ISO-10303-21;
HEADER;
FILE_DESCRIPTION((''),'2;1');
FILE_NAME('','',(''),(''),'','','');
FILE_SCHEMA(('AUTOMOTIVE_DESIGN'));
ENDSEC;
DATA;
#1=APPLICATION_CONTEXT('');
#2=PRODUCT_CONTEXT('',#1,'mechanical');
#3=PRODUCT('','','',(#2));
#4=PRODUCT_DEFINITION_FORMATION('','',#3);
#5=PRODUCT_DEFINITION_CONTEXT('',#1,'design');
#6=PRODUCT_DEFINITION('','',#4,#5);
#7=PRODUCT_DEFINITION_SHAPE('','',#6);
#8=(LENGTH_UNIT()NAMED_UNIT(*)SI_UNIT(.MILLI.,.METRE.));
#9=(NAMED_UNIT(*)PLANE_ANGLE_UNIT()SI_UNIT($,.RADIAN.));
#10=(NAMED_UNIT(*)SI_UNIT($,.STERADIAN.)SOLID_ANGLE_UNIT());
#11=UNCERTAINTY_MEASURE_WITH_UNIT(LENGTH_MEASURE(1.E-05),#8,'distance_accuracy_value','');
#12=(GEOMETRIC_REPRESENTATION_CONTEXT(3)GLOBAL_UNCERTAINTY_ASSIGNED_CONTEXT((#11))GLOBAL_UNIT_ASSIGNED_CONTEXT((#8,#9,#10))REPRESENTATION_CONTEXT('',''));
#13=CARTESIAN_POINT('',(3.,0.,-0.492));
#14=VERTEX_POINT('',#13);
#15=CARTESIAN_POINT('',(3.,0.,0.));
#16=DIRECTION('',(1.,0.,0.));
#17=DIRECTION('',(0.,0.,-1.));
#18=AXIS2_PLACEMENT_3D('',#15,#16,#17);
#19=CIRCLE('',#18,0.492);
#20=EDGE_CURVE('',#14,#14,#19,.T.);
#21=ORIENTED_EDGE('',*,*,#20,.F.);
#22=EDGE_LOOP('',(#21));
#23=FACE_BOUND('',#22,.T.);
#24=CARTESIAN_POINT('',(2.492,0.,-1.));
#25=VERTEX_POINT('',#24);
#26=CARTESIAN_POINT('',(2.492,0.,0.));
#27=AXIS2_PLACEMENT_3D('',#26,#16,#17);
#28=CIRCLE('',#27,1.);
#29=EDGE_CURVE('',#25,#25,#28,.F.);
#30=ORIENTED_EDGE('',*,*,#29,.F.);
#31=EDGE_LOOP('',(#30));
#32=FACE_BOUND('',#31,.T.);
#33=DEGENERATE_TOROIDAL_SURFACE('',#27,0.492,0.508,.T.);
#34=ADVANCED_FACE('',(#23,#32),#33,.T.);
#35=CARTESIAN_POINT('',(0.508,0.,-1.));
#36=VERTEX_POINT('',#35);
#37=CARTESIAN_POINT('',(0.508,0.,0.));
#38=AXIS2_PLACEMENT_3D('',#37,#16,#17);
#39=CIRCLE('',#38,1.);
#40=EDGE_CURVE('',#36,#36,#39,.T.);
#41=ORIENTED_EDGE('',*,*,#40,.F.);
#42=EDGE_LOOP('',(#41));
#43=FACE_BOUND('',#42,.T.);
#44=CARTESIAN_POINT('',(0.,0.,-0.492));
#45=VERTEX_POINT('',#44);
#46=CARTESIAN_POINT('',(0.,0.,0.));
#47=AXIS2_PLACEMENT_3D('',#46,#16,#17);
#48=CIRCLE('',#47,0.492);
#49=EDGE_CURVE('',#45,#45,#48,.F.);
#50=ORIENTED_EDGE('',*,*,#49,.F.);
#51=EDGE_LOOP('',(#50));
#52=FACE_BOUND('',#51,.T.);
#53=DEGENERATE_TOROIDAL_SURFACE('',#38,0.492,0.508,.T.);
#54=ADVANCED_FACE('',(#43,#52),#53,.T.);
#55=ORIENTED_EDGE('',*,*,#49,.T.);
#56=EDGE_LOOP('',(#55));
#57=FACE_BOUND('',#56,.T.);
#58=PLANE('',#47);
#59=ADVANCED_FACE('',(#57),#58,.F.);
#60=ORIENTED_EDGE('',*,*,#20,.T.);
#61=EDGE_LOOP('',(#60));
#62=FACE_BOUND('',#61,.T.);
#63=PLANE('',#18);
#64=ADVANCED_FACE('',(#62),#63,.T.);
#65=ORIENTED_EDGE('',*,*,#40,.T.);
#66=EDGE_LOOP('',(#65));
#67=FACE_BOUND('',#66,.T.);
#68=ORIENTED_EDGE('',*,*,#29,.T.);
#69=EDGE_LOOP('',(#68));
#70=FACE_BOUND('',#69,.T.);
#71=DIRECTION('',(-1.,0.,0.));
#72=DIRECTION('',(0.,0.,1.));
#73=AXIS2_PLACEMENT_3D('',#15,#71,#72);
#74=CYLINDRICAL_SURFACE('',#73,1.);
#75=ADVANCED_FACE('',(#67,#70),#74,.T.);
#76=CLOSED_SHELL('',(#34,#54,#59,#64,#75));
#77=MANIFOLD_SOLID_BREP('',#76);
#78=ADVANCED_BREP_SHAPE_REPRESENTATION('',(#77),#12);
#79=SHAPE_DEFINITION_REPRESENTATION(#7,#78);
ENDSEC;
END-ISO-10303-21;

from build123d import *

# Parameters (mm, degrees)
SKETCH1_R      = 1
EXTRUDE1_DEPTH = 3
FILLET1_R      = 0.508


with BuildPart() as part:
    # Sketch1 → Extrude1 (new body)
    with BuildSketch(Plane(origin=(0, 0, 0), x_dir=(0, 0, -1), z_dir=(1, 0, 0))):
        Circle(SKETCH1_R)
    extrude(amount=EXTRUDE1_DEPTH)

    # Fillet1
    fillet1_edges = [part.edges().sort_by_distance(p)[0] for p in [
        (0, 0, 1),
        (3, 0, 1),
    ]]
    fillet(fillet1_edges, radius=FILLET1_R)


solid = part.part
